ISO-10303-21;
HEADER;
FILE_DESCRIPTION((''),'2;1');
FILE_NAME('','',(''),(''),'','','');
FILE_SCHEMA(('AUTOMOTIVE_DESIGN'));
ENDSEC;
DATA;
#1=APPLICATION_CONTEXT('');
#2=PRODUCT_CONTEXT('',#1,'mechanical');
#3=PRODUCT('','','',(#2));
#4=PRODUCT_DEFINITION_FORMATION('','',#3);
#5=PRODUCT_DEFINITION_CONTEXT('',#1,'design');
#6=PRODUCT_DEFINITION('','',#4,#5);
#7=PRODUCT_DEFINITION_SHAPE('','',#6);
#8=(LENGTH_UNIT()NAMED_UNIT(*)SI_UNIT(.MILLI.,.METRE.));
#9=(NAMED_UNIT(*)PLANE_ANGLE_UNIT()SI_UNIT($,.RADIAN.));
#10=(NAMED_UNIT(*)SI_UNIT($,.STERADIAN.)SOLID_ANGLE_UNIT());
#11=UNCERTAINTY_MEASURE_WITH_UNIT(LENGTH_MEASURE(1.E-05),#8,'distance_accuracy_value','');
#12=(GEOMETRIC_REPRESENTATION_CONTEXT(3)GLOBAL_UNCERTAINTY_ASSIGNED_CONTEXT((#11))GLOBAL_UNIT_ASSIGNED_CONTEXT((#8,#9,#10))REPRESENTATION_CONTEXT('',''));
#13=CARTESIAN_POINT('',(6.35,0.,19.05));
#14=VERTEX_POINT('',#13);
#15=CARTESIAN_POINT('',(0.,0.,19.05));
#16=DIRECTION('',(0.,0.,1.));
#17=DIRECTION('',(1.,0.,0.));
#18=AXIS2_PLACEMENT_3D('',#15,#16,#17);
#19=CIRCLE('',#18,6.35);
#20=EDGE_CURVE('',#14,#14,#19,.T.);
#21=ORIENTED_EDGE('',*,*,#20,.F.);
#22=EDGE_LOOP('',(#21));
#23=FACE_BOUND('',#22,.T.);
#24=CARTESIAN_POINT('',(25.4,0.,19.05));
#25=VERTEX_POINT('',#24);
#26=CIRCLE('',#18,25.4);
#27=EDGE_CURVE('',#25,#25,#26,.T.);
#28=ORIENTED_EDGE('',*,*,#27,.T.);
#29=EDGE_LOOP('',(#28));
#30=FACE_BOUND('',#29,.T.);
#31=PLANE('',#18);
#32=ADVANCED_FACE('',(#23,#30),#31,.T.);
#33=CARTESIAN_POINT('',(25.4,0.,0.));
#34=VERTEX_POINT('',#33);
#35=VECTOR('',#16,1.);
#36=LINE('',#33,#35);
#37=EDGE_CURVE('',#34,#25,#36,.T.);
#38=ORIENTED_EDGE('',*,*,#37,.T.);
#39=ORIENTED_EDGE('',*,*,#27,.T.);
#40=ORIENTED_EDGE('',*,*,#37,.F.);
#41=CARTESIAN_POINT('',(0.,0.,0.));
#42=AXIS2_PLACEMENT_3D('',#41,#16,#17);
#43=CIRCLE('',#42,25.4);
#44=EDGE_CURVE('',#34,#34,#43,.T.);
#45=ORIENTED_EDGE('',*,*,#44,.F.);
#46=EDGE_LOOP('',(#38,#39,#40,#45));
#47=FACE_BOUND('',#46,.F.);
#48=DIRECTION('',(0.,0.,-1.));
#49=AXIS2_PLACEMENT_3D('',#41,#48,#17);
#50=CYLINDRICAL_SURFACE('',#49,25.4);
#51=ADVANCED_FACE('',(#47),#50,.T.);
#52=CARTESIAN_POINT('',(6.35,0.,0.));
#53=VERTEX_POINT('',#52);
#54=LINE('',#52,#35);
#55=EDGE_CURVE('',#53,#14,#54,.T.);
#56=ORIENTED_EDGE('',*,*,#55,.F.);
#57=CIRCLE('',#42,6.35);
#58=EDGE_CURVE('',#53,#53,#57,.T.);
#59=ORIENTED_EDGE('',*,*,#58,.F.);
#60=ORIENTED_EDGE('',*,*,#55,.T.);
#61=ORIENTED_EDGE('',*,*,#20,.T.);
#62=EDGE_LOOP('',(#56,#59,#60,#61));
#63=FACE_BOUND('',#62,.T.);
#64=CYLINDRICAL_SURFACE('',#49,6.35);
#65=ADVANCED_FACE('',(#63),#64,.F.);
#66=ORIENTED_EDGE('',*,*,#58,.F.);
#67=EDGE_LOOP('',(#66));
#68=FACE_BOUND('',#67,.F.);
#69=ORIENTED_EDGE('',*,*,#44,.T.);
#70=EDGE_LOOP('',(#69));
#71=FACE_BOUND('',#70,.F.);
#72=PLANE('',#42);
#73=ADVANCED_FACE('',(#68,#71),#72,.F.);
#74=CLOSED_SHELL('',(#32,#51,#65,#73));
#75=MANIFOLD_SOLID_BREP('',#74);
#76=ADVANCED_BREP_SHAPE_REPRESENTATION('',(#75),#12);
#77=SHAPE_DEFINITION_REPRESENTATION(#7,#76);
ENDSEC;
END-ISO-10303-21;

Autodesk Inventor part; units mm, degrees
ref_plane "YZ Plane" through (0, 0, 0) normal (1, 0, 0) x (0, 1, 0)
ref_plane "XZ Plane" through (0, 0, 0) normal (0, 1, 0) x (-1, 0, 0)
ref_plane "XY Plane" through (0, 0, 0) normal (0, 0, 1) x (1, 0, 0)
sketch "Sketch1" plane through (0, 0, 0) normal (0, 0, 1) x (1, 0, 0)
  circle A0 centre (0, 0) radius 6.35
  circle A1 centre (0, 0) radius 25.4
  dimension "d0" = 12.7
  dimension "d1" = 50.8
extrude "Extrusion1" add sketch "Sketch1" along normal blind 19.05
properties part number "sample i-mate hole"
